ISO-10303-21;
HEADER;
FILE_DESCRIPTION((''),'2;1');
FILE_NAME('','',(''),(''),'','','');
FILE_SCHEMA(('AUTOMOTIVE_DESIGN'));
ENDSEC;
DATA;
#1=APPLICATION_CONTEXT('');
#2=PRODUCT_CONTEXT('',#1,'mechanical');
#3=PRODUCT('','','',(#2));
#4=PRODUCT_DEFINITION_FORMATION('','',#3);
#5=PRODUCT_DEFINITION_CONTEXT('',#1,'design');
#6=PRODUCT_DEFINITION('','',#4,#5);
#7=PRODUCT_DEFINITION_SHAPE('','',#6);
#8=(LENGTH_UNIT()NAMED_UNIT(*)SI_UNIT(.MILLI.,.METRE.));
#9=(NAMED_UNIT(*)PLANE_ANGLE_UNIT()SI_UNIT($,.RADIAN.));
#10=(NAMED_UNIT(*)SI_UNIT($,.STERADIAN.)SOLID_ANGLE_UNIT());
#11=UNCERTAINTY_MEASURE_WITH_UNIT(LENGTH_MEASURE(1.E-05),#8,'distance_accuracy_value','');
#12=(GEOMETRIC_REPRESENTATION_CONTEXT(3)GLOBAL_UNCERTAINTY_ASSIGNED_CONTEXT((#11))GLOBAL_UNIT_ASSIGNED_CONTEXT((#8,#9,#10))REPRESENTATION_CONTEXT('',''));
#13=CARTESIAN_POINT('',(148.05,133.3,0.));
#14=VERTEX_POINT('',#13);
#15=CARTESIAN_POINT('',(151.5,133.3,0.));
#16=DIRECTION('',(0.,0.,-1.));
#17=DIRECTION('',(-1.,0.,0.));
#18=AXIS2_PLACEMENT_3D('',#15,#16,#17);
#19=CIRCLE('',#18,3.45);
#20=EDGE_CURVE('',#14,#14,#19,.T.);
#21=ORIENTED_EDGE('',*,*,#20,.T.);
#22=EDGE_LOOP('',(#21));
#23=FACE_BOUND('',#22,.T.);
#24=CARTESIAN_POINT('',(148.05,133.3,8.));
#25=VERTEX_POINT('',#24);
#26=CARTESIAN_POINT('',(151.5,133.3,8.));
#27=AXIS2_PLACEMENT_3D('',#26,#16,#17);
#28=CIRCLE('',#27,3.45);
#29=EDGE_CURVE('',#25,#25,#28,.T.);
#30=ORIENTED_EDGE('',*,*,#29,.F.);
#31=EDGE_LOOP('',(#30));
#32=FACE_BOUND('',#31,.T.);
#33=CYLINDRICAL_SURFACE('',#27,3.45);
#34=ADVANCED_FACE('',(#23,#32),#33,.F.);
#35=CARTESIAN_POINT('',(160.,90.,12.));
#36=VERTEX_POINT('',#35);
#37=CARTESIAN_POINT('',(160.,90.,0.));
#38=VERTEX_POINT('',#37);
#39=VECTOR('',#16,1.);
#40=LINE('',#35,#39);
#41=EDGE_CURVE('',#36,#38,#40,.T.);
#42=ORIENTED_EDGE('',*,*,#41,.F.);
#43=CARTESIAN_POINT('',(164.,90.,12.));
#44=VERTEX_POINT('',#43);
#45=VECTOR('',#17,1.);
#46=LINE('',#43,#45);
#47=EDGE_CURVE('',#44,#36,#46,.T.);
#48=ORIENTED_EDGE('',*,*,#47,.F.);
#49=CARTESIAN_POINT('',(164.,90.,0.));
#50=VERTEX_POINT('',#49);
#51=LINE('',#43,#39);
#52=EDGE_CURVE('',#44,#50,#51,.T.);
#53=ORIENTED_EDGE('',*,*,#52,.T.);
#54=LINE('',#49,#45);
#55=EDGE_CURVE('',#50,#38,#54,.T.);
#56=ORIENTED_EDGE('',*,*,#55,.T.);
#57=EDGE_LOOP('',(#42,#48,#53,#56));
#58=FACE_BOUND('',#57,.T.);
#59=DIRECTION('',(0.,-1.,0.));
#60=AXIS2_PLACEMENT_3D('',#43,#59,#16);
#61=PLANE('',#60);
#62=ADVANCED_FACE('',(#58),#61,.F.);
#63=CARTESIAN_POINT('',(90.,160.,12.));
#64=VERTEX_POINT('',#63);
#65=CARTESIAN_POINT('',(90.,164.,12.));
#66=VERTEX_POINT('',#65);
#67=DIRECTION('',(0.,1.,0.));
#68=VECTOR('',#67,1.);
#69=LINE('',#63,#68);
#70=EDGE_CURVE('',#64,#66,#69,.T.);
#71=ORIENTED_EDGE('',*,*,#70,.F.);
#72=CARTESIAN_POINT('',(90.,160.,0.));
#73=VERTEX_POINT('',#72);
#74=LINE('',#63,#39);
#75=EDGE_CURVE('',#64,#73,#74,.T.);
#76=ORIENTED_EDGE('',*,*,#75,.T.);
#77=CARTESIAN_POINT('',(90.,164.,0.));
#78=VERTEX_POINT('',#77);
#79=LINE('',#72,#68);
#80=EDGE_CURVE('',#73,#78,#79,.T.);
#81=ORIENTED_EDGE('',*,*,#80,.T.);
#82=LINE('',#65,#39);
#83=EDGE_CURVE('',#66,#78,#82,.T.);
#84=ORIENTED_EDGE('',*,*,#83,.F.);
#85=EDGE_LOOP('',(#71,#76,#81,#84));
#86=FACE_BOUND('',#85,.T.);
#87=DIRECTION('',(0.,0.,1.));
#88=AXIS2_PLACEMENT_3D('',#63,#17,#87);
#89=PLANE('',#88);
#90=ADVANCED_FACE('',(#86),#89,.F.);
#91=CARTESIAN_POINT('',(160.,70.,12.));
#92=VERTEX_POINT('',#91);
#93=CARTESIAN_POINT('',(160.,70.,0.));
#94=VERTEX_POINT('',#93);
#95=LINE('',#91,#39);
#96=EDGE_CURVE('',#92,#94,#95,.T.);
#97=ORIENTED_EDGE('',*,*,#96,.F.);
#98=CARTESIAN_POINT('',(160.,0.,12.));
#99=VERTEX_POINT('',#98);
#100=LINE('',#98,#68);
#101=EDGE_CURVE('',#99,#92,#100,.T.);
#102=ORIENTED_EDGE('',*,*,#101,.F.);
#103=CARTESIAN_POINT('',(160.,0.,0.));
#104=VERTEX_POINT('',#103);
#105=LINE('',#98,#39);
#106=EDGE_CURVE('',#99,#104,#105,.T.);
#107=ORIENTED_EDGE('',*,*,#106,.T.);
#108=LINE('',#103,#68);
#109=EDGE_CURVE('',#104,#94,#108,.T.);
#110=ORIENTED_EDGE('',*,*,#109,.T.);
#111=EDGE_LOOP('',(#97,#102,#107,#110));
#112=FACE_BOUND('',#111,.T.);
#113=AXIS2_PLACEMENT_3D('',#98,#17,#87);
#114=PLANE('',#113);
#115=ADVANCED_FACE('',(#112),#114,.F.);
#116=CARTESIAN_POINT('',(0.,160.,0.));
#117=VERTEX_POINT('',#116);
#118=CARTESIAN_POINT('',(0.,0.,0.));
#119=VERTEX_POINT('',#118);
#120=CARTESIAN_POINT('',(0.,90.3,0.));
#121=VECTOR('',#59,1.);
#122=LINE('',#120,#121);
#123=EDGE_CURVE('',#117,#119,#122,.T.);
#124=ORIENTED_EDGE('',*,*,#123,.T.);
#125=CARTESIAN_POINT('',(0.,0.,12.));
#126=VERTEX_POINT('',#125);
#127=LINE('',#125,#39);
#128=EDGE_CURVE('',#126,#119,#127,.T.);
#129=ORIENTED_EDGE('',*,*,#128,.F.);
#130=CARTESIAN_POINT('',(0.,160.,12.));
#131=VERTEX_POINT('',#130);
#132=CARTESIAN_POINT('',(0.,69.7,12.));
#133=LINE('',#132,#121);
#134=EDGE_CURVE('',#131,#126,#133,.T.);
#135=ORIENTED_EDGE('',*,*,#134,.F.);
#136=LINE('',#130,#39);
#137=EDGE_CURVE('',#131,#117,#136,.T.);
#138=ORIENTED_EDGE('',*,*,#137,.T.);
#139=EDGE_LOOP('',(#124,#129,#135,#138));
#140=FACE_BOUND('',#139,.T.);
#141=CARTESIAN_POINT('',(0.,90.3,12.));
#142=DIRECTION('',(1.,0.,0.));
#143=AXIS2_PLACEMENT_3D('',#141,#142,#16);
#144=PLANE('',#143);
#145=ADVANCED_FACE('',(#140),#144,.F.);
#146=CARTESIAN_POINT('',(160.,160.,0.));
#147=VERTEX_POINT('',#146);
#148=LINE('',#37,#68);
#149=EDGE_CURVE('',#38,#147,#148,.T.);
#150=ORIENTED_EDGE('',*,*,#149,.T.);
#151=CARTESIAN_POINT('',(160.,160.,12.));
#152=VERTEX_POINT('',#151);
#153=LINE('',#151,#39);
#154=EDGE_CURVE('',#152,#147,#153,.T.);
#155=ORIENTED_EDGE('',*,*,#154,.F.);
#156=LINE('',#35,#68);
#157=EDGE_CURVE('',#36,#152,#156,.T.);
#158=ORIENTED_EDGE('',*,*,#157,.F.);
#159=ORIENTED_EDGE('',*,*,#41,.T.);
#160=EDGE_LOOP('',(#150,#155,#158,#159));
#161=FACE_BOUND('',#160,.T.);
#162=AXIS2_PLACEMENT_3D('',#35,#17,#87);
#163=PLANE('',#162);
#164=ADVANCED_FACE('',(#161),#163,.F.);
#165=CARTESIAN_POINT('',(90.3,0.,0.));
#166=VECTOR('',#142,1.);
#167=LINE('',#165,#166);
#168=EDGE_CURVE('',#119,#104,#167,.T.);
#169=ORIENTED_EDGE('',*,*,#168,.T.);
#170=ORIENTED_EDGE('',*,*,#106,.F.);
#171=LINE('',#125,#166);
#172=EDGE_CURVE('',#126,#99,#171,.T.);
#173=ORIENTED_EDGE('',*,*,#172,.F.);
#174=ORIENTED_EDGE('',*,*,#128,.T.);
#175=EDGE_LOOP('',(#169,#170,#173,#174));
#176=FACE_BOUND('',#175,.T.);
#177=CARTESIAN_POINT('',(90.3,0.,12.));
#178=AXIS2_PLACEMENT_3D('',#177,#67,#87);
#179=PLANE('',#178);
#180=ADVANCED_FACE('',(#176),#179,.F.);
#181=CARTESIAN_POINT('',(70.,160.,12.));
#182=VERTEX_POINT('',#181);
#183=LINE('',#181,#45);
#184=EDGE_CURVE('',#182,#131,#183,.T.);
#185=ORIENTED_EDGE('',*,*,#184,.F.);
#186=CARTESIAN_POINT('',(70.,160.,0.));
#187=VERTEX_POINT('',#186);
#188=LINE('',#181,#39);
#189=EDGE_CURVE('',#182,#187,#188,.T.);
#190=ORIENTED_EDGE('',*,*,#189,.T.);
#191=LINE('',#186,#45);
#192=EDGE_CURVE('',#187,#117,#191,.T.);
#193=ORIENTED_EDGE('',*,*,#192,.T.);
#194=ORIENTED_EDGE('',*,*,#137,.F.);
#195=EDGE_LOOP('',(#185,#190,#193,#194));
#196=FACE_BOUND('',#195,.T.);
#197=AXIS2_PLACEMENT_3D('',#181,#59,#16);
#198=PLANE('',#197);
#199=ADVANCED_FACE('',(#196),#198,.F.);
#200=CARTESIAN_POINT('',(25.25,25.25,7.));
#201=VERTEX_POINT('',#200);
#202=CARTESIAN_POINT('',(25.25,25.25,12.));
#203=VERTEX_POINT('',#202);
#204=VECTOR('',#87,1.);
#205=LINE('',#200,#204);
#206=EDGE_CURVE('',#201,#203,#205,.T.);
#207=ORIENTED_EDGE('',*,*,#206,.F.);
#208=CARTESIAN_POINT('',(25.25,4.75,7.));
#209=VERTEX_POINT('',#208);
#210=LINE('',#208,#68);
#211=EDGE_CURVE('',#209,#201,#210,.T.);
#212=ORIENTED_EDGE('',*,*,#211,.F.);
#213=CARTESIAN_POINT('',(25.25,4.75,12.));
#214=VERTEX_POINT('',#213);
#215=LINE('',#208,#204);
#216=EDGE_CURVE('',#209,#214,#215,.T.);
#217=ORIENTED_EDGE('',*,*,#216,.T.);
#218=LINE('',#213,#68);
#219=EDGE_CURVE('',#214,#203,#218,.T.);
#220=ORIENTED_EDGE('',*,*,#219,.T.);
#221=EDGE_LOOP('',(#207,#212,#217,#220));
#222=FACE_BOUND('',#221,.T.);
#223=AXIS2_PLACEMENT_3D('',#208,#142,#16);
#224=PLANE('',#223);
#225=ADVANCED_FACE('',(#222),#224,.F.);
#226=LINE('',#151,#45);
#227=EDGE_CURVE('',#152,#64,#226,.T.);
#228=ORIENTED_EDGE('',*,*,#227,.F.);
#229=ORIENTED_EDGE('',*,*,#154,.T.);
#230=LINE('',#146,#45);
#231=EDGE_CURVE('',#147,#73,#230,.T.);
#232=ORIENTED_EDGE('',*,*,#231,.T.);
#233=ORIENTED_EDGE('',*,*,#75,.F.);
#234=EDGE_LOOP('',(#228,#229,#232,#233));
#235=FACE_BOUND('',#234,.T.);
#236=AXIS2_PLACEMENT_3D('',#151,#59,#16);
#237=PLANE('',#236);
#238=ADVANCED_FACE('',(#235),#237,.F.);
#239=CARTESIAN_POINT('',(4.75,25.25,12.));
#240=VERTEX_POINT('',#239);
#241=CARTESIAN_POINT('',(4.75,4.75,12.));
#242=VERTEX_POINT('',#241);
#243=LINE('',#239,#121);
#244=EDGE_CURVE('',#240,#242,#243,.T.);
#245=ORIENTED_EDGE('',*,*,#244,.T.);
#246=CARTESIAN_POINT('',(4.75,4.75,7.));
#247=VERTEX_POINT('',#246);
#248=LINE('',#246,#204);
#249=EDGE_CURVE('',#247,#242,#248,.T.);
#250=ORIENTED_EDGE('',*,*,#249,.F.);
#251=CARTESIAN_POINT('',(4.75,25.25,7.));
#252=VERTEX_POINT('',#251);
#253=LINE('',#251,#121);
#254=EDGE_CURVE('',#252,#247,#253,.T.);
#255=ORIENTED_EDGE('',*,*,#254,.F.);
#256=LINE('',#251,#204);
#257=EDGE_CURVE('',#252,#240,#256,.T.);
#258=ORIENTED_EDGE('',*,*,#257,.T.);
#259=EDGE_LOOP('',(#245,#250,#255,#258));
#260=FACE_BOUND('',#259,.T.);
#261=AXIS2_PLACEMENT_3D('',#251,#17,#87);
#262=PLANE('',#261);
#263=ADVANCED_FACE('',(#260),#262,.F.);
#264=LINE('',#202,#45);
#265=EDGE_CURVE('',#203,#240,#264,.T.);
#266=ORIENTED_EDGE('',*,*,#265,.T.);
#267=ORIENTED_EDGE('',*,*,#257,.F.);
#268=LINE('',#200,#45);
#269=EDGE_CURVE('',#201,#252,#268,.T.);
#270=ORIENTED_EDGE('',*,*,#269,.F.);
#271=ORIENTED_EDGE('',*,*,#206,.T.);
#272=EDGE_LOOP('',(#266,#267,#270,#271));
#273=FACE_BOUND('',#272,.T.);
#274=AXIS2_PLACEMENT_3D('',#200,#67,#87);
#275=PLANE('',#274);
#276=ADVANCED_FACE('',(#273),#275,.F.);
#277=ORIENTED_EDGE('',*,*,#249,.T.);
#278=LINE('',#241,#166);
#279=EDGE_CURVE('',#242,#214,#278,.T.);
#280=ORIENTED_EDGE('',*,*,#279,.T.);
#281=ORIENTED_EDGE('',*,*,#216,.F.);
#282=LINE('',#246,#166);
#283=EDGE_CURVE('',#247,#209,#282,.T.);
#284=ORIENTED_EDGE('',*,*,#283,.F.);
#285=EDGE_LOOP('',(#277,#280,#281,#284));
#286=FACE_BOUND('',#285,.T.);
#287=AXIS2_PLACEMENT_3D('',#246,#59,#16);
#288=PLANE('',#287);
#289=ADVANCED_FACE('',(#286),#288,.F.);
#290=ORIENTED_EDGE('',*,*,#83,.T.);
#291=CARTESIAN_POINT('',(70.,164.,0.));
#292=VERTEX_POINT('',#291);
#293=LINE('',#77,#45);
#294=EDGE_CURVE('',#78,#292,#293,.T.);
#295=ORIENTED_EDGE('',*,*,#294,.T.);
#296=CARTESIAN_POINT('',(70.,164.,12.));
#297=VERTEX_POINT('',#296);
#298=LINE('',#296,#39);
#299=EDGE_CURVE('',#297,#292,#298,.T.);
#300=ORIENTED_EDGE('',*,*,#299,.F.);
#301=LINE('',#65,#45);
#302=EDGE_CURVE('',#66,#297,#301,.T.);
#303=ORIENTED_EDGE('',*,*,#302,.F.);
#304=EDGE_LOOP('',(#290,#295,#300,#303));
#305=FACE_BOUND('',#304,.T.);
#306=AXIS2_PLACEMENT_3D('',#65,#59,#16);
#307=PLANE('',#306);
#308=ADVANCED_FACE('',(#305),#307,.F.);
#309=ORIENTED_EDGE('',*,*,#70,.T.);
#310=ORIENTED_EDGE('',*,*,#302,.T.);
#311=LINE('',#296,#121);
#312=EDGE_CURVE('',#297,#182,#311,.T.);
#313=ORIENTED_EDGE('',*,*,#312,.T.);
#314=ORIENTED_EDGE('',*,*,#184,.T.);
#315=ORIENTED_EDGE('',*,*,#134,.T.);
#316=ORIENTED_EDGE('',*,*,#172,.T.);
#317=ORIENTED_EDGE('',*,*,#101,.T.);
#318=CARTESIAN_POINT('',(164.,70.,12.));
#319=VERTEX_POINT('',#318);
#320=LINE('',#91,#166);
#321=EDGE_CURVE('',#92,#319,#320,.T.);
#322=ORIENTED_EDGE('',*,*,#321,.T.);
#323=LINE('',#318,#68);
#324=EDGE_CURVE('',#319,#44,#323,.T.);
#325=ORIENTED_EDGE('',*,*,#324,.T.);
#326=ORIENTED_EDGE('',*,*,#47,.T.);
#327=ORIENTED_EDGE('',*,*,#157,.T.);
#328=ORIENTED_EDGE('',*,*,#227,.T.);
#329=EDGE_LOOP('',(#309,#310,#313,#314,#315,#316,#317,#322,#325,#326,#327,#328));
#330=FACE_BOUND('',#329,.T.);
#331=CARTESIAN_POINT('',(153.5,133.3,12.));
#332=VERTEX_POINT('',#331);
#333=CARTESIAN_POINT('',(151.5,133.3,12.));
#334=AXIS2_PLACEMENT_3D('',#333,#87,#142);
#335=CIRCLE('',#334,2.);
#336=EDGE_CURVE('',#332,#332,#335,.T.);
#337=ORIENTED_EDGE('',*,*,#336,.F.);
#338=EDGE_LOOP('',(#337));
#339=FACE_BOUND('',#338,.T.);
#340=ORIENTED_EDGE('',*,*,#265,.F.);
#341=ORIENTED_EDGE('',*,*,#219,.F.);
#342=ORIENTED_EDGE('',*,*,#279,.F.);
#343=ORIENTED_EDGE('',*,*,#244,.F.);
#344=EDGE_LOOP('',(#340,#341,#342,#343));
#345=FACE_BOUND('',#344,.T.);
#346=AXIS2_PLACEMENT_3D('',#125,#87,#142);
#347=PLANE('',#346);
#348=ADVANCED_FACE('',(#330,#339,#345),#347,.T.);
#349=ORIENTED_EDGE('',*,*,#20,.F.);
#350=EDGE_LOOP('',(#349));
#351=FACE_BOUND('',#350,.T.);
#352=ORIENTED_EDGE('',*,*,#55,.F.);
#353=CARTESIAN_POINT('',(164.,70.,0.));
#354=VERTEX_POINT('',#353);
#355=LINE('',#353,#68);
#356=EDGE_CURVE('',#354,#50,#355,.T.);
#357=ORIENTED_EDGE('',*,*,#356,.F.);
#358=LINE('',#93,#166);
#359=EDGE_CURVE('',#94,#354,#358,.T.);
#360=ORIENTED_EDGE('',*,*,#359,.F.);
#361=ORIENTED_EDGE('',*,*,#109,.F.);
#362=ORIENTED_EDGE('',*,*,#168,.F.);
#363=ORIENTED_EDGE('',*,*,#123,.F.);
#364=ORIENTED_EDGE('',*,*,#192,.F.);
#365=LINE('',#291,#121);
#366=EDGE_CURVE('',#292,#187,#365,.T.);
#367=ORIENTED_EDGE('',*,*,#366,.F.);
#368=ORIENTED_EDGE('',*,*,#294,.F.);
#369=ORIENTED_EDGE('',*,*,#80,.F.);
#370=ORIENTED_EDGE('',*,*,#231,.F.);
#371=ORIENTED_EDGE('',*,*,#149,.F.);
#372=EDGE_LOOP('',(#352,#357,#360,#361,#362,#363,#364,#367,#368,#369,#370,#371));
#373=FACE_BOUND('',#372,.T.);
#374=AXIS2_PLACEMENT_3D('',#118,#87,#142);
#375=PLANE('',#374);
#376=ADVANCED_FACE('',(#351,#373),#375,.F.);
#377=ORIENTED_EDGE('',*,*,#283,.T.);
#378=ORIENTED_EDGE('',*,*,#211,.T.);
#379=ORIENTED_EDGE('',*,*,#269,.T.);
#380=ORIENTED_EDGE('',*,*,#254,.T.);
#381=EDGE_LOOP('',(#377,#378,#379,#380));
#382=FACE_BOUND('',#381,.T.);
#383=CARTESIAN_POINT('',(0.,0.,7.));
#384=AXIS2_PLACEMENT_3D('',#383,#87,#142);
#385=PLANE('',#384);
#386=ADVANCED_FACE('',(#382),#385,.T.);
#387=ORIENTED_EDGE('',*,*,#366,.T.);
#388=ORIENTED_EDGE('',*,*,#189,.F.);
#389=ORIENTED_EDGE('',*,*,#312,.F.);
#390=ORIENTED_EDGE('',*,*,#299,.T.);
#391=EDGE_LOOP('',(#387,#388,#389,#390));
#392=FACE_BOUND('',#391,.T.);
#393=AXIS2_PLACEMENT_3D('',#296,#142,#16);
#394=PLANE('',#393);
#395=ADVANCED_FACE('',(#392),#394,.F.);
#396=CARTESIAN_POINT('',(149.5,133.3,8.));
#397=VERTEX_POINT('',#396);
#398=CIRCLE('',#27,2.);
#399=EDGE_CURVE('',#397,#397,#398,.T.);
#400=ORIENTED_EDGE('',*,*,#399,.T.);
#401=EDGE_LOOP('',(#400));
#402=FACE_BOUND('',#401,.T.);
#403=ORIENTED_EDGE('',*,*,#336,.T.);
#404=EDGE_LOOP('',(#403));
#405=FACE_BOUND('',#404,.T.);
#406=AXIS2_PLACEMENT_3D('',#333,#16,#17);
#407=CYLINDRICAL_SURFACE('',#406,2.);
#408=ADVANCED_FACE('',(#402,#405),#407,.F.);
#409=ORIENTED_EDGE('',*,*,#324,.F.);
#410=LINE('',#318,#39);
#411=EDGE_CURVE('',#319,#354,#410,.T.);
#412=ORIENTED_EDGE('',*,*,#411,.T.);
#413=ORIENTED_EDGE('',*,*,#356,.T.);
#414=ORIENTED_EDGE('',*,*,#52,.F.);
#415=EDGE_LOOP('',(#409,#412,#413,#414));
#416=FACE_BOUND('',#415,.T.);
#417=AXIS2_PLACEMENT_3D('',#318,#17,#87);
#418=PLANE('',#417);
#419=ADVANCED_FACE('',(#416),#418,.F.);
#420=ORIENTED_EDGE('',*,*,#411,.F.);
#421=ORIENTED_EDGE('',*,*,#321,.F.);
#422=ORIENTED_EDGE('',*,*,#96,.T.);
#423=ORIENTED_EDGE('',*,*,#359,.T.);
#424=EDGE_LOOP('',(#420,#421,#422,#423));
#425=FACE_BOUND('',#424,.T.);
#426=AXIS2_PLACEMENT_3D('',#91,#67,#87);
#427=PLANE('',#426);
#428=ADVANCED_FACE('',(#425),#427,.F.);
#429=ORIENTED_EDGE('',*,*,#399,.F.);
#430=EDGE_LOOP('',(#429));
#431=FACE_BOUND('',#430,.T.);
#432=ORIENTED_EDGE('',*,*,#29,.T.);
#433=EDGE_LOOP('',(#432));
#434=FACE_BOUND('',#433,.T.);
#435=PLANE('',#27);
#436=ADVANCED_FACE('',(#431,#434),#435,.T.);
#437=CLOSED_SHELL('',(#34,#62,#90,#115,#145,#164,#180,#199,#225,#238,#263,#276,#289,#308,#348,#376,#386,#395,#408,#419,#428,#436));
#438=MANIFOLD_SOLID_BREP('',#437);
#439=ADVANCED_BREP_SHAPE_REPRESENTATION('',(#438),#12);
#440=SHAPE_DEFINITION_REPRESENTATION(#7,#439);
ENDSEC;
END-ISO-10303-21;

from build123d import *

# Parameters (mm, degrees)
SKETCH1_R           = 2
BOSS_EXTRUDE1_DEPTH = 12
SKETCH2_W           = 20.5
SKETCH2_H           = 20.5
CUT_EXTRUDE1_DEPTH  = 5
SKETCH4_R           = 3.45
CUT_EXTRUDE7_DEPTH  = 8


with BuildPart() as part:
    # Sketch1 → Boss-Extrude1 (new body)
    with BuildSketch(Plane.XY):
        Polygon((0, 0), (69.7, 0), (90.3, 0), (160, 0), (160, 70), (164, 70), (164, 90), (160, 90), (160, 160), (90, 160), (90, 164), (70, 164), (70, 160), (0, 160), (0, 90.3), (0, 69.7), align=None)
        with Locations((151.5, 133.3)):
            Circle(SKETCH1_R, mode=Mode.SUBTRACT)
    extrude(amount=BOSS_EXTRUDE1_DEPTH)

    # Sketch2 → Cut-Extrude1 (cut)
    with BuildSketch(Plane.XY.offset(12)):
        with Locations((15, 15)):
            Rectangle(SKETCH2_W, SKETCH2_H)
    extrude(amount=-CUT_EXTRUDE1_DEPTH, mode=Mode.SUBTRACT)

    # Sketch4 → Cut-Extrude7 (cut)
    with BuildSketch(Plane(origin=(0, 0, 0), x_dir=(-1, 0, 0), z_dir=(0, 0, -1))):
        with Locations((-151.5, 133.3)):
            Circle(SKETCH4_R)
    extrude(amount=-CUT_EXTRUDE7_DEPTH, mode=Mode.SUBTRACT)


solid = part.part
